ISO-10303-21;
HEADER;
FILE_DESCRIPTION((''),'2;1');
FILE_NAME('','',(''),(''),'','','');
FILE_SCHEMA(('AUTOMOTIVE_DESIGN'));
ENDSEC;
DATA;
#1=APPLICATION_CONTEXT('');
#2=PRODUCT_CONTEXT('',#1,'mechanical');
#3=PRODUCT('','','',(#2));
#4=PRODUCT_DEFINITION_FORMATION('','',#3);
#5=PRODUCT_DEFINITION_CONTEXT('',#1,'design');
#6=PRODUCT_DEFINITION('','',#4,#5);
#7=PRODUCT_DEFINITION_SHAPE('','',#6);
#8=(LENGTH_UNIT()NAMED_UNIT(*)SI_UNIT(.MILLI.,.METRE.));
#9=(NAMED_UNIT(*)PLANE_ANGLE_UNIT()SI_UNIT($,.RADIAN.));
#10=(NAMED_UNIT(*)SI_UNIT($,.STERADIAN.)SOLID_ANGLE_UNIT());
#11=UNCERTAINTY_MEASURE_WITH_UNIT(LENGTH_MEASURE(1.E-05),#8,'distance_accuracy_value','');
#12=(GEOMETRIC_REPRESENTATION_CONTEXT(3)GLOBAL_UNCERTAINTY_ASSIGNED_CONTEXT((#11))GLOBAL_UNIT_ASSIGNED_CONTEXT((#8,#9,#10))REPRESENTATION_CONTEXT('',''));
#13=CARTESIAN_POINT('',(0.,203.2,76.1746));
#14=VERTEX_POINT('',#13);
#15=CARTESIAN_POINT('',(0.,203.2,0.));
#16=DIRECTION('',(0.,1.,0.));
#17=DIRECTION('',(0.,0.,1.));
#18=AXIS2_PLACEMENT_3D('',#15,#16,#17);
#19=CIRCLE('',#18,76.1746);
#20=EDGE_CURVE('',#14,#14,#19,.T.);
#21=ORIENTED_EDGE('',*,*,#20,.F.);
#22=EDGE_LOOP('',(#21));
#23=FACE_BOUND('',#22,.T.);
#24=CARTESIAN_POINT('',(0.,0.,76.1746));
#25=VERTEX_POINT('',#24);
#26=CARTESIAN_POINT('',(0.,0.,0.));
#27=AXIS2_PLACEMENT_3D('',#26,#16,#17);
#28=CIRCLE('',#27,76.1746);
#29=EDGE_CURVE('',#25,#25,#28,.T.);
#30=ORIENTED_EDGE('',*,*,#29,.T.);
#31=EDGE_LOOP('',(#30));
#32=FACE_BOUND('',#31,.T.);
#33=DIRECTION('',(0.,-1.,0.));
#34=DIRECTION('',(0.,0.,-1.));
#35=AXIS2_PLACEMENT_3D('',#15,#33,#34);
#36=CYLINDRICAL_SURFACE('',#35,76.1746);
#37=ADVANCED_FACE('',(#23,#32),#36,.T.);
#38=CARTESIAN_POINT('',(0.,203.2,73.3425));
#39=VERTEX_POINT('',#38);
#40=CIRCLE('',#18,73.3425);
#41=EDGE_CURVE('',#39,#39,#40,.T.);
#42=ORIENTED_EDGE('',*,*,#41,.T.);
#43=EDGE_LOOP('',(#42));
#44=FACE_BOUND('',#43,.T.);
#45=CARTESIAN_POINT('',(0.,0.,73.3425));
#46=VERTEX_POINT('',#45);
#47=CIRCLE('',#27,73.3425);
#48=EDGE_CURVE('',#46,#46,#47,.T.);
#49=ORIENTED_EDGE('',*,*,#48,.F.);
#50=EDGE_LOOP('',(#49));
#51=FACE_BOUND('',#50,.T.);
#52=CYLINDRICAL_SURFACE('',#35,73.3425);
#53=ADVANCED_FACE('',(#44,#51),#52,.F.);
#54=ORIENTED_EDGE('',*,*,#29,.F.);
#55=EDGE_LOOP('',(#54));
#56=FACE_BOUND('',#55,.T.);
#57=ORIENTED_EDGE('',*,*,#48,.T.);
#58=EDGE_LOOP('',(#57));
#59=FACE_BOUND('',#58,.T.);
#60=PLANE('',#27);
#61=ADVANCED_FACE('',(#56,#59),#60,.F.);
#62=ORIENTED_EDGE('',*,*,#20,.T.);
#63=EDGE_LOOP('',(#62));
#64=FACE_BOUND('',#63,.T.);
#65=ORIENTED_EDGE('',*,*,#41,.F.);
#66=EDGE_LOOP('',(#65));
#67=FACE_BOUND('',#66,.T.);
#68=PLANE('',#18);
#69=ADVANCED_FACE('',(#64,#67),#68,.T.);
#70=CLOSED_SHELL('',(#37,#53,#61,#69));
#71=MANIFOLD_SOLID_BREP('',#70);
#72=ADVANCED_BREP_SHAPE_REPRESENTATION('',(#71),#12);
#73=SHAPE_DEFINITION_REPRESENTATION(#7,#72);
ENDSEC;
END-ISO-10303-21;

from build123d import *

# Parameters (mm, degrees)
COUPLER_PROFILE_R   = 76.1746
COUPLER_PROFILE_R_2 = 73.3425
COUPLER_BODY_DEPTH  = 203.2


with BuildPart() as part:
    # Coupler Profile → Coupler Body (new body)
    with BuildSketch(Plane(origin=(0, 0, 0), x_dir=(1, 0, 0), z_dir=(0, 1, 0))):
        with Locations(Location((0, 0, 0), (0, 0, 270))):
            Circle(COUPLER_PROFILE_R)
        with Locations(Location((0, 0, 0), (0, 0, 270))):
            Circle(COUPLER_PROFILE_R_2, mode=Mode.SUBTRACT)
    extrude(amount=COUPLER_BODY_DEPTH)


solid = part.part
